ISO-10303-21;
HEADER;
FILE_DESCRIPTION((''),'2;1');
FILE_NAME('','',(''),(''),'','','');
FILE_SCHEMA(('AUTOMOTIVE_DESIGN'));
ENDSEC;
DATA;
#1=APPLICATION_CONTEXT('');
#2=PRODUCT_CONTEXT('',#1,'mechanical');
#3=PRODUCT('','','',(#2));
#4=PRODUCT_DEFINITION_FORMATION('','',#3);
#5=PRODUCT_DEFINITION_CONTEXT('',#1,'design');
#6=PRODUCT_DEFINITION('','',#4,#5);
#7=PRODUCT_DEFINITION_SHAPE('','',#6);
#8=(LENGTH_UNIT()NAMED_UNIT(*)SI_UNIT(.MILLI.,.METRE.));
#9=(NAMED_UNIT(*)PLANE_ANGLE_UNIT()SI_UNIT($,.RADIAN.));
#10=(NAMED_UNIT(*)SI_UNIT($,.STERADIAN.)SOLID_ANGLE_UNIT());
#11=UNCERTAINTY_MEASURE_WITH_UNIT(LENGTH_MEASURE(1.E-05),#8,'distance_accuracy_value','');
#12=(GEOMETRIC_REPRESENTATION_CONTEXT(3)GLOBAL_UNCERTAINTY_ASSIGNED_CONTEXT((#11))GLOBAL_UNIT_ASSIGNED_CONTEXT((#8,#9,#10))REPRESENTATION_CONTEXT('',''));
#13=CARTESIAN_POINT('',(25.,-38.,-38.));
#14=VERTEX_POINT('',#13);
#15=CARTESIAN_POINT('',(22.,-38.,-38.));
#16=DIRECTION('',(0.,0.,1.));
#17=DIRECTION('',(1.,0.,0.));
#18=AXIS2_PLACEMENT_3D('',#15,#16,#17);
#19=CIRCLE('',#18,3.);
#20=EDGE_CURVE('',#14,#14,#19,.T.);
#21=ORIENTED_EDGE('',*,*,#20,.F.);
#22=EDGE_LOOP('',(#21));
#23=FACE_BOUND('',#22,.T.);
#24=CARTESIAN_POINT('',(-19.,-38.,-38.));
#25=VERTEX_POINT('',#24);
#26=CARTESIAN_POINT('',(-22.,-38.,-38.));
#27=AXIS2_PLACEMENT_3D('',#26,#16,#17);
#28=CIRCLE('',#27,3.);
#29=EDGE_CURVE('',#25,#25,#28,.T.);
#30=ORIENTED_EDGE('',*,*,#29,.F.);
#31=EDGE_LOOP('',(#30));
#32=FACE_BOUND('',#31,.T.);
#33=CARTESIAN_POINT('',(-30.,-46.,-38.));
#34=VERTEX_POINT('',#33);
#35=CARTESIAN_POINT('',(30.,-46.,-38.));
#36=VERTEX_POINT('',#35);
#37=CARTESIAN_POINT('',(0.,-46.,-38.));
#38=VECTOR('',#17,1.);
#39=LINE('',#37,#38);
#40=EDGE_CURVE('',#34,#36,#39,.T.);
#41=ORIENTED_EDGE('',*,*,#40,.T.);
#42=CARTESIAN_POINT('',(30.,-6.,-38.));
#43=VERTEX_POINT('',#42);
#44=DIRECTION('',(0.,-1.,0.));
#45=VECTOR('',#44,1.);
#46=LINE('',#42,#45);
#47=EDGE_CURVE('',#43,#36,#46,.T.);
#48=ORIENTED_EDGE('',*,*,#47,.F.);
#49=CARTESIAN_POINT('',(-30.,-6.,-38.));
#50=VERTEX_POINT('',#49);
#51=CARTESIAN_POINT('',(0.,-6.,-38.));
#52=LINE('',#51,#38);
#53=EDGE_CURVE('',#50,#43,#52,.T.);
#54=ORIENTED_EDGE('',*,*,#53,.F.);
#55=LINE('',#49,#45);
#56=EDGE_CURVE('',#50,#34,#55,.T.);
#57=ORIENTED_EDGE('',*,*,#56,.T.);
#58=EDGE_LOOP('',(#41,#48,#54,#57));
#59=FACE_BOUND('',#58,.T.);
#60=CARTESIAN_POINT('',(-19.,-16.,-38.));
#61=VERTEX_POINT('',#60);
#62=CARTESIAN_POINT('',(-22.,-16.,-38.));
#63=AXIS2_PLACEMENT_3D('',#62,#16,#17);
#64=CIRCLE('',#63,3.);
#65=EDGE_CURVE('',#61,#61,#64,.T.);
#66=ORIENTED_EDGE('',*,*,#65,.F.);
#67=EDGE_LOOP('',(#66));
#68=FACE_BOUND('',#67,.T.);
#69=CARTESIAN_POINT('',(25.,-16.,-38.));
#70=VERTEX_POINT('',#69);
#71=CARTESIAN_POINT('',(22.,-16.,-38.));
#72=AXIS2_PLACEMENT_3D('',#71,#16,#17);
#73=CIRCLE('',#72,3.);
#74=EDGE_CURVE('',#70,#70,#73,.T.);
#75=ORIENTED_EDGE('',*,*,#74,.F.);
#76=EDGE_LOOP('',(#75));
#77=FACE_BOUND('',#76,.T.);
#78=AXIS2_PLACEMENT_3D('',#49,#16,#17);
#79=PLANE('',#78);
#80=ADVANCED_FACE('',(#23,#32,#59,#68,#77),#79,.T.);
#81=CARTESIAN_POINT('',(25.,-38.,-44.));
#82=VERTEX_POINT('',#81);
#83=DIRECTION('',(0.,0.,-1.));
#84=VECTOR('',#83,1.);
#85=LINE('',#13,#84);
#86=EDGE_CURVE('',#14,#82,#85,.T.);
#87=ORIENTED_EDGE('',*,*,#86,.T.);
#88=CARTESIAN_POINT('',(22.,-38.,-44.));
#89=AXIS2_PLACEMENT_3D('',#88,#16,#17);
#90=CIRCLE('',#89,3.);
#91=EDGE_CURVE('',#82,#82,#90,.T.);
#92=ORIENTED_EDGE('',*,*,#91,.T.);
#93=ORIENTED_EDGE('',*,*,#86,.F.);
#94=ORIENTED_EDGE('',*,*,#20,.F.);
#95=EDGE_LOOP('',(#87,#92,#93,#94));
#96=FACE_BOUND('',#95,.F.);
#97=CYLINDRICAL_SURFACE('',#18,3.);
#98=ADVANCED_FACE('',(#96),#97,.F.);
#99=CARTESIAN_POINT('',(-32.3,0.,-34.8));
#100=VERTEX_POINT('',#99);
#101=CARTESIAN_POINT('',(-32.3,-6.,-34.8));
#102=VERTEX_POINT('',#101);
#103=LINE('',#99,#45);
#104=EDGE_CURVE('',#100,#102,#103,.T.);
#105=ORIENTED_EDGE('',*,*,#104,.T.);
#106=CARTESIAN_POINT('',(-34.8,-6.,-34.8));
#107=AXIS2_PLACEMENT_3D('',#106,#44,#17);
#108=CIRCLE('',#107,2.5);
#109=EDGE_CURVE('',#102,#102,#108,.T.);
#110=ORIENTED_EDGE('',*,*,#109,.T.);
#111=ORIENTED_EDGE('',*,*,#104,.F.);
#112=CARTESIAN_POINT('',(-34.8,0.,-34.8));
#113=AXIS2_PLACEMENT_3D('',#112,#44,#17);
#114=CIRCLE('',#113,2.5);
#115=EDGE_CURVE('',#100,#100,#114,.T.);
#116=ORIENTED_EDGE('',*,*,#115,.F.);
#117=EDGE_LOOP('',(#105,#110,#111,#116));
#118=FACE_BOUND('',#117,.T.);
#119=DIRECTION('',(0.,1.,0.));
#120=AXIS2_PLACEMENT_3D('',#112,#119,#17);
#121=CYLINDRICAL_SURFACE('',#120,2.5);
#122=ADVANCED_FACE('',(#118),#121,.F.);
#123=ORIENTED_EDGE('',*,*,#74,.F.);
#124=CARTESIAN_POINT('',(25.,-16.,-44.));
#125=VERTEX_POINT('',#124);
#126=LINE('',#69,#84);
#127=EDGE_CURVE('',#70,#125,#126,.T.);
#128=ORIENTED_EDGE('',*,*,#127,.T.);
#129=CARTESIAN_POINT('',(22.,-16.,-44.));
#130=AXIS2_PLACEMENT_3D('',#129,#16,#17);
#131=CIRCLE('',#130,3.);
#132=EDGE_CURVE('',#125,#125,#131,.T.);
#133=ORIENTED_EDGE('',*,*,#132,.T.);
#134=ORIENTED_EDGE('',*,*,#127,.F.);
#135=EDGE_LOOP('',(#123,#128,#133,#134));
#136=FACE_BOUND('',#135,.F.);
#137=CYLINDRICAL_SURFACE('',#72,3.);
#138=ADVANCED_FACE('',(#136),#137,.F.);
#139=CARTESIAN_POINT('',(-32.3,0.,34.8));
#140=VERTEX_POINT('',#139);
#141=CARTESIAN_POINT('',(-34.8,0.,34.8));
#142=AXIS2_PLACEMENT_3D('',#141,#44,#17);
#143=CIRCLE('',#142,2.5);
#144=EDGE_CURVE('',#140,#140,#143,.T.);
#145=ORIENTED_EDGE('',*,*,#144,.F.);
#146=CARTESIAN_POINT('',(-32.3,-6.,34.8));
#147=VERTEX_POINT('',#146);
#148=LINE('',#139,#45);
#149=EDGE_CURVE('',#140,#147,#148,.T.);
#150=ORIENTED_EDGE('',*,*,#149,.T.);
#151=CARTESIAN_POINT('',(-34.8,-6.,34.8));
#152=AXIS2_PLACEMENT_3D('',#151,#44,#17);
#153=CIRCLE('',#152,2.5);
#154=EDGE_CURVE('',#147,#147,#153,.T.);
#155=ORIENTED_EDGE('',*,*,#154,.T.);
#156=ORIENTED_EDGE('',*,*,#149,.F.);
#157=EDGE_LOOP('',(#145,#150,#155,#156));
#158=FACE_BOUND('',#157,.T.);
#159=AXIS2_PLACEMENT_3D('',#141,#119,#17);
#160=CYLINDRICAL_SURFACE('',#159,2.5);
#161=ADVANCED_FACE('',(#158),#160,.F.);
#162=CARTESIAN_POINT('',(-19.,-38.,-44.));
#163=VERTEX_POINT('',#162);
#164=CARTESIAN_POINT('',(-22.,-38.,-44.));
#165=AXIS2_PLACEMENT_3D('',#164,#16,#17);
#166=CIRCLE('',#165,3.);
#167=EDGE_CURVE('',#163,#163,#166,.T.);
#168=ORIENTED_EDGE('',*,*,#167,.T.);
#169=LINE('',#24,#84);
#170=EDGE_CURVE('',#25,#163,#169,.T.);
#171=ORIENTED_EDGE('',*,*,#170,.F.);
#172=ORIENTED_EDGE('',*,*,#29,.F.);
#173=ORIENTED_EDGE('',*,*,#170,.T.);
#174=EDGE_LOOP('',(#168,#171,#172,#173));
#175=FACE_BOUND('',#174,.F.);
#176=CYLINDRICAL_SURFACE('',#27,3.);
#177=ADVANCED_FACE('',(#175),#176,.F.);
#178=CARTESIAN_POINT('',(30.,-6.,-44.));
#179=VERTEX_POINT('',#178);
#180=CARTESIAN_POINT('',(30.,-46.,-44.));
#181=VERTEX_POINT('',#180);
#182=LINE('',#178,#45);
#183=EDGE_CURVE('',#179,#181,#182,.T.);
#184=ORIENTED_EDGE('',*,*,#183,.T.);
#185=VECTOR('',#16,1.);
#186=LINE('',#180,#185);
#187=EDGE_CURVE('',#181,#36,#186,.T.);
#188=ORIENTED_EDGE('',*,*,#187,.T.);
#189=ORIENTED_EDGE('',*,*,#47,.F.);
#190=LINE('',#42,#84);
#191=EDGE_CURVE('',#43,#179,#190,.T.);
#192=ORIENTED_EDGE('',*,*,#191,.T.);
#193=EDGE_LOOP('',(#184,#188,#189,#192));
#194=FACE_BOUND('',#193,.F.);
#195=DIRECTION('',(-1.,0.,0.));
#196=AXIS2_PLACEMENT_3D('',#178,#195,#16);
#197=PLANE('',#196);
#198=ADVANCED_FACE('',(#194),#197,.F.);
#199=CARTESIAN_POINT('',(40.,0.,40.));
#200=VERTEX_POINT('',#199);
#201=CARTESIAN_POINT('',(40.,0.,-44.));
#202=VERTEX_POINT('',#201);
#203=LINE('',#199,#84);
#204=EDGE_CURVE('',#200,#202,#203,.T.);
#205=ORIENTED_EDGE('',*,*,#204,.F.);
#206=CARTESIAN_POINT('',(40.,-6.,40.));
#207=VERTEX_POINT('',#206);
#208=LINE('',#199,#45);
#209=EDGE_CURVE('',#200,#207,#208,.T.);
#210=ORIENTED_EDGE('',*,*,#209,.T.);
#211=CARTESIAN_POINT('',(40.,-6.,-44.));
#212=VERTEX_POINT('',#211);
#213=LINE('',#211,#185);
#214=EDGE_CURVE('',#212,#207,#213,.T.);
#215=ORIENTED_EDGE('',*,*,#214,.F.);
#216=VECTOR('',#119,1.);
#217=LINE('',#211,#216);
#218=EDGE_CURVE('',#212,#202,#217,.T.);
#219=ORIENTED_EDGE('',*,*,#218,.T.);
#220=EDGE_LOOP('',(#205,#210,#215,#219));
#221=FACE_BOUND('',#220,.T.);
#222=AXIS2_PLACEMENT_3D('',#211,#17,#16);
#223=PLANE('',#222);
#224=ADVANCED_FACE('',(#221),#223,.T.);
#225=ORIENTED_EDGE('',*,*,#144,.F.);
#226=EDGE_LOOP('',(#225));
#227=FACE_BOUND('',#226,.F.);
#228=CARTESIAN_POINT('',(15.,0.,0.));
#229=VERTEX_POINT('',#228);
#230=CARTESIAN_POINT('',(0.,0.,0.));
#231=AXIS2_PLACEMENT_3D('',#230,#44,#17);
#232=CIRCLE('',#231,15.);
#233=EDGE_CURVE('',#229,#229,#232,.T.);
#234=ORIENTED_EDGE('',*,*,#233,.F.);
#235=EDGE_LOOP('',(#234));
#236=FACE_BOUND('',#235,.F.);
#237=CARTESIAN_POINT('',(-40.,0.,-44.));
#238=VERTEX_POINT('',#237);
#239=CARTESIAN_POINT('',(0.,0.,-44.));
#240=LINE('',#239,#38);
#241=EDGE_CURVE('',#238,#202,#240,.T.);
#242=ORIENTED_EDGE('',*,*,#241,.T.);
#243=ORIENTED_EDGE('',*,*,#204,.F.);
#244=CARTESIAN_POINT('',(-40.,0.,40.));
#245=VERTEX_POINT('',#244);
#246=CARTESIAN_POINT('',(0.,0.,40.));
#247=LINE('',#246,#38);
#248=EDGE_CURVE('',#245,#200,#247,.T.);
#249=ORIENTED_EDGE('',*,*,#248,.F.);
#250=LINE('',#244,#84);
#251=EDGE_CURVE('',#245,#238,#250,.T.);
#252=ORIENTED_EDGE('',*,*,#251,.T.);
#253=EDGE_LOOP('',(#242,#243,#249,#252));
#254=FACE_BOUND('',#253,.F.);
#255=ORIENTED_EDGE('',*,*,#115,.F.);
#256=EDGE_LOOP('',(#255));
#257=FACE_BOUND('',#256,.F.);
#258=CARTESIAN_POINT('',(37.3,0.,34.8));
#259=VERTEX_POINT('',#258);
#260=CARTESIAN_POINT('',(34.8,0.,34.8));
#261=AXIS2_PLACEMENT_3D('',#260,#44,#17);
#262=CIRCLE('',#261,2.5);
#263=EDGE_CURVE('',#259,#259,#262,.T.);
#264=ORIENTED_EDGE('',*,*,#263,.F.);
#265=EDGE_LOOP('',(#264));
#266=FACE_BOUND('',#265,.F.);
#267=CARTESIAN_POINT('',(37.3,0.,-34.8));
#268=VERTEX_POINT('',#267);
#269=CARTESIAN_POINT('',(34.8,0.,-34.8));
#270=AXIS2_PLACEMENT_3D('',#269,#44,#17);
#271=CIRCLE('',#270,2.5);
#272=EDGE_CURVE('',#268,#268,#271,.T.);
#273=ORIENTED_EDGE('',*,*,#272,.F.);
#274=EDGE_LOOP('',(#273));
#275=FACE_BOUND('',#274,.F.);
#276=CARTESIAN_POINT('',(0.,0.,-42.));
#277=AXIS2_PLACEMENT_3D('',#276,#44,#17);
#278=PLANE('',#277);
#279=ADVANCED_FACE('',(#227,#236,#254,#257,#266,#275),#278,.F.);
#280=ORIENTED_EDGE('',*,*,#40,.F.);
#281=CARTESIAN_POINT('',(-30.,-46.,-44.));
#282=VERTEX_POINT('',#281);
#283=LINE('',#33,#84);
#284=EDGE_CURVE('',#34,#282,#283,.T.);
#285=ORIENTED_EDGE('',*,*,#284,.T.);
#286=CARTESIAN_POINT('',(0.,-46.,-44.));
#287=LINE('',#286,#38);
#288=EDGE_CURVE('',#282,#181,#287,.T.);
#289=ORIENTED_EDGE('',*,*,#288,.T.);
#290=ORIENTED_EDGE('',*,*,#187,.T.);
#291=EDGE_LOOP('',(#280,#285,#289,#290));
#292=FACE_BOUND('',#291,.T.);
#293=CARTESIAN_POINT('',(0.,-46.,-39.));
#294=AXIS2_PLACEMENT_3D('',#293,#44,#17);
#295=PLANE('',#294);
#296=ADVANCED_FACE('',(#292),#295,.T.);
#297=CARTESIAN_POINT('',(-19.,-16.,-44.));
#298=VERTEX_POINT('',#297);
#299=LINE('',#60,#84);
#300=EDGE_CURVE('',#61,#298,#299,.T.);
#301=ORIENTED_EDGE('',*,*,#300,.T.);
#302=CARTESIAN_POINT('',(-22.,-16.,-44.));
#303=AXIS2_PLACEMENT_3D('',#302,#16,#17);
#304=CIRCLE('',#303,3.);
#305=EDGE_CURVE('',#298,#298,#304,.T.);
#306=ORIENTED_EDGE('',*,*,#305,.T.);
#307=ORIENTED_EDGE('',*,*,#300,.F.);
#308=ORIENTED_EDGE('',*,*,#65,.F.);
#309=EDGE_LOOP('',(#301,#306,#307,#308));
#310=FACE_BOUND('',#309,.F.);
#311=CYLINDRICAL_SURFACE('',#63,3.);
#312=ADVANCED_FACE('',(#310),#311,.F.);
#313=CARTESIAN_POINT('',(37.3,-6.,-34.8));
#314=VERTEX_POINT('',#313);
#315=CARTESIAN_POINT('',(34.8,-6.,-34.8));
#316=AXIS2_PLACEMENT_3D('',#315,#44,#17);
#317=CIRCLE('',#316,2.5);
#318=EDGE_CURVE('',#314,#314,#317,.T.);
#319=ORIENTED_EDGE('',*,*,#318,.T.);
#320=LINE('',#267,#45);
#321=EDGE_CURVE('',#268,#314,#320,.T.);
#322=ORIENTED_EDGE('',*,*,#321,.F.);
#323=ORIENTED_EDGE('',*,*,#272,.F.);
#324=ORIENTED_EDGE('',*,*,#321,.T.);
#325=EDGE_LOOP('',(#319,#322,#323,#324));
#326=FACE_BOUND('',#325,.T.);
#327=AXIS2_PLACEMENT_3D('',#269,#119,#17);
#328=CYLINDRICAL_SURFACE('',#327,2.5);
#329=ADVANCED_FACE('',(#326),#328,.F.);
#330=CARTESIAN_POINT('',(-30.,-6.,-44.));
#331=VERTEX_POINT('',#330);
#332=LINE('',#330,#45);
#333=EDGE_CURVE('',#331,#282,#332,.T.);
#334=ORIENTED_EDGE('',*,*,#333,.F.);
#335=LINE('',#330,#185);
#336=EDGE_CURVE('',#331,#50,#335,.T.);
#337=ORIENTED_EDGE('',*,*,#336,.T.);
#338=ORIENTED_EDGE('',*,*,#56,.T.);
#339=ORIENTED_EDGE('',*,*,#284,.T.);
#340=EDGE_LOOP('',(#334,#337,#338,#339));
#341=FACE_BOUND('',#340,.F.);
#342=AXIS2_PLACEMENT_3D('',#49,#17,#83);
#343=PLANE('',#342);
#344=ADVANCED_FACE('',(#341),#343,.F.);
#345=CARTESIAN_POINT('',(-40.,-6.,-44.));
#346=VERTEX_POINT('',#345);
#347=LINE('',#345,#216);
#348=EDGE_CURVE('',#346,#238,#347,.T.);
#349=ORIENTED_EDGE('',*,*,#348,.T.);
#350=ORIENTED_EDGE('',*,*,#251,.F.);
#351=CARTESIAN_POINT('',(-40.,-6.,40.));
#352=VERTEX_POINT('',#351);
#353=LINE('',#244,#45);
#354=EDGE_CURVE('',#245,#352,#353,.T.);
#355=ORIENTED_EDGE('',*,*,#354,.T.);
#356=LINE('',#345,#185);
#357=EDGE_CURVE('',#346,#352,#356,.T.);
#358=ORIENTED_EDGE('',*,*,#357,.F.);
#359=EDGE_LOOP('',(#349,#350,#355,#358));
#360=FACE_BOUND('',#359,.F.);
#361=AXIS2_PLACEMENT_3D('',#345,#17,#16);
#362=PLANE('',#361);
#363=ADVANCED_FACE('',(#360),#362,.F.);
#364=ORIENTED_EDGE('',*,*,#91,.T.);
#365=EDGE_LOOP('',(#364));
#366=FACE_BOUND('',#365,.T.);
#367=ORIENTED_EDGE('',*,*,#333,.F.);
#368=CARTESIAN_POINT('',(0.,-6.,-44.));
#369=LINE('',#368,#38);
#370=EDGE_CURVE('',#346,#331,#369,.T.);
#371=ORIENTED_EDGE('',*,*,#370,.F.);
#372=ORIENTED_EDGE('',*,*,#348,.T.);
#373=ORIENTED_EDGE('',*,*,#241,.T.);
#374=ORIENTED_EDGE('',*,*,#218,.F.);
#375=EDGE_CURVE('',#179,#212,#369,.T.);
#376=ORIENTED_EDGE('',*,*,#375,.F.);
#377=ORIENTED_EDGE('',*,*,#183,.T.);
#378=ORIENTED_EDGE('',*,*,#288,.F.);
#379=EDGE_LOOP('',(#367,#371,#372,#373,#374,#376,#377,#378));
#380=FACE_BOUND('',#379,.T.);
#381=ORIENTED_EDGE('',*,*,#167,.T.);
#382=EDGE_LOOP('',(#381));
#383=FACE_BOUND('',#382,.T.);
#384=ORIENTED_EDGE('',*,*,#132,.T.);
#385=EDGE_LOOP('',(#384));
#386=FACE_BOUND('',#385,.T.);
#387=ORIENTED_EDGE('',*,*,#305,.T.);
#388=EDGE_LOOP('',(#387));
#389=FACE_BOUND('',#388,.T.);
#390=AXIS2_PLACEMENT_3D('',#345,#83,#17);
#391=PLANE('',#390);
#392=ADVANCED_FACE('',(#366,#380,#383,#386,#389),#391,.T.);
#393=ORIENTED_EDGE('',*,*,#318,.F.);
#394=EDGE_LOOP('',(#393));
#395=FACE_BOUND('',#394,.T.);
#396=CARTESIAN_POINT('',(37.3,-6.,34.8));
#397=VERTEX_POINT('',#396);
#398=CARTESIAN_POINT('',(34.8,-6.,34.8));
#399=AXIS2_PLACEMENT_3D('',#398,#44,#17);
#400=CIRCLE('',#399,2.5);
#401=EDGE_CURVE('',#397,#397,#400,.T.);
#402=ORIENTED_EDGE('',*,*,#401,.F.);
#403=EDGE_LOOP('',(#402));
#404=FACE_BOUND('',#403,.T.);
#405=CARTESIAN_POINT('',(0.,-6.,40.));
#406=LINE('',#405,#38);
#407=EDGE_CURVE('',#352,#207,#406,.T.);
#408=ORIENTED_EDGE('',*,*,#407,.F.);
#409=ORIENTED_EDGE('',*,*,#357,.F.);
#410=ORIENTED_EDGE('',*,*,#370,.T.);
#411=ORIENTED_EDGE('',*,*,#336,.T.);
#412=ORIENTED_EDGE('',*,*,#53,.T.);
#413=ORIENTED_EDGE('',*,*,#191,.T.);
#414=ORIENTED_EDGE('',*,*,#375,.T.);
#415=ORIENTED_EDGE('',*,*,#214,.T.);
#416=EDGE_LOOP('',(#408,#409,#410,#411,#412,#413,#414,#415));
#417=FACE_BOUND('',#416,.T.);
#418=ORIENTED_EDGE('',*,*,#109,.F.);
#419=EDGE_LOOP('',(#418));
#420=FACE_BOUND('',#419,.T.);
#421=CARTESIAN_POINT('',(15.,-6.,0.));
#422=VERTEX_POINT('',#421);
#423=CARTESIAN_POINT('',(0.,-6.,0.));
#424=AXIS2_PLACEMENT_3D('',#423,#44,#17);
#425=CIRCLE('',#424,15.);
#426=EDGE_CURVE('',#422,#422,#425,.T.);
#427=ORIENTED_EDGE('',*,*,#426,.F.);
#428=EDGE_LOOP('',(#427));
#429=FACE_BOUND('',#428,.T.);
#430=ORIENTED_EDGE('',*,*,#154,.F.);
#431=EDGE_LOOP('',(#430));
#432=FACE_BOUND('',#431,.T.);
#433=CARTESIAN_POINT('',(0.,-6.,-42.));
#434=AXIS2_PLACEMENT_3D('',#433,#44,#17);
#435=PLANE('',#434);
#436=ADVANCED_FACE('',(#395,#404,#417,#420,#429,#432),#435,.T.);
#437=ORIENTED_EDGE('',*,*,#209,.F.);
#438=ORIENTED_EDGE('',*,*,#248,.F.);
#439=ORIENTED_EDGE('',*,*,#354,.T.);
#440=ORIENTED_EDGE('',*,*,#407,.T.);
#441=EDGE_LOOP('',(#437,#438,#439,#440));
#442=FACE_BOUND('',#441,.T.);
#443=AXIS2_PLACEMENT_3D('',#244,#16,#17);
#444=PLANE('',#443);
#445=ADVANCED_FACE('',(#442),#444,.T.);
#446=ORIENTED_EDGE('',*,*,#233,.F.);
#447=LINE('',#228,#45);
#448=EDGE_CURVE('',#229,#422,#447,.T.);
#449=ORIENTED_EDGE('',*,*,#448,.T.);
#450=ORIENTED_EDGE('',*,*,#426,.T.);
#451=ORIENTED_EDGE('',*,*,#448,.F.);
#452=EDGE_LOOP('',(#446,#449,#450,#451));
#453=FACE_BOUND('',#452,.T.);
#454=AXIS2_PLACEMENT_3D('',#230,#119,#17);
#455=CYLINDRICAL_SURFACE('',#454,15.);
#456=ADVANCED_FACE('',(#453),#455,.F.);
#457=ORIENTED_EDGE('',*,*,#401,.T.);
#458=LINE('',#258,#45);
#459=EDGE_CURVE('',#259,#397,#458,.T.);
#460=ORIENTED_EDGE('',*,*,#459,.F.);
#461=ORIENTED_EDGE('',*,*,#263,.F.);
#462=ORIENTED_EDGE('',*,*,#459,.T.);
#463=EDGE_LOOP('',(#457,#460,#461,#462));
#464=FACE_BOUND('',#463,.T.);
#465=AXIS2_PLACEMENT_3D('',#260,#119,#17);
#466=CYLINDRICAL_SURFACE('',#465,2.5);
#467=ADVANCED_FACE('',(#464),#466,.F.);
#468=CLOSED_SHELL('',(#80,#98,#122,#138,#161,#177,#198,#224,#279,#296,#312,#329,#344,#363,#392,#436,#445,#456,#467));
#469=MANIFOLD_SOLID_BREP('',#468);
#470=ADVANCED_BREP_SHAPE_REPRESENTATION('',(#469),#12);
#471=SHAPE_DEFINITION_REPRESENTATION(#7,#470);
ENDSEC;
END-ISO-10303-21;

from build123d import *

# Parameters (mm, degrees)
F0_W     = 80
F0_H     = 80
F0_R     = 2.5
F0_R_2   = 15
F1_DEPTH = 6
F2_W     = 60
F2_H     = 2
F2_H_2   = 4
F3_DEPTH = 40
F4_R     = 3
F5_DEPTH = 6
F6_W     = 80
F6_H     = 4
F7_DEPTH = 6


with BuildPart() as f1:
    # F0 (on Front) → F1 (new body)
    with BuildSketch(Plane.XZ):
        Rectangle(F0_W, F0_H)
        with Locations((-34.8, -34.8)):
            Circle(F0_R, mode=Mode.SUBTRACT)
        with Locations((34.8, -34.8)):
            Circle(F0_R, mode=Mode.SUBTRACT)
        with Locations((-34.8, 34.8)):
            Circle(F0_R, mode=Mode.SUBTRACT)
        Circle(F0_R_2, mode=Mode.SUBTRACT)
        with Locations((34.8, 34.8)):
            Circle(F0_R, mode=Mode.SUBTRACT)
    extrude(amount=F1_DEPTH)

    # F2 (on face) → F3 (join)
    with BuildSketch(Plane.XZ.offset(6)):
        with Locations((0, -39)):
            Rectangle(F2_W, F2_H)
        with Locations((0, -42)):
            Rectangle(F2_W, F2_H_2)
    extrude(amount=F3_DEPTH)

    # F4 (on face) → F5 (cut, through all)
    with BuildSketch(Plane.XY.offset(-38)):
        with Locations((-22, -38)):
            Circle(F4_R)
        with Locations((-22, -16)):
            Circle(F4_R)
        with Locations((22, -16)):
            Circle(F4_R)
        with Locations((22, -38)):
            Circle(F4_R)
    extrude(amount=-F5_DEPTH, mode=Mode.SUBTRACT)

    # F6 (on face) → F7 (join, through all)
    with BuildSketch(Plane.XZ.offset(6)):
        with Locations((0, -42)):
            Rectangle(F6_W, F6_H)
    extrude(amount=-F7_DEPTH)


solid = f1.part
